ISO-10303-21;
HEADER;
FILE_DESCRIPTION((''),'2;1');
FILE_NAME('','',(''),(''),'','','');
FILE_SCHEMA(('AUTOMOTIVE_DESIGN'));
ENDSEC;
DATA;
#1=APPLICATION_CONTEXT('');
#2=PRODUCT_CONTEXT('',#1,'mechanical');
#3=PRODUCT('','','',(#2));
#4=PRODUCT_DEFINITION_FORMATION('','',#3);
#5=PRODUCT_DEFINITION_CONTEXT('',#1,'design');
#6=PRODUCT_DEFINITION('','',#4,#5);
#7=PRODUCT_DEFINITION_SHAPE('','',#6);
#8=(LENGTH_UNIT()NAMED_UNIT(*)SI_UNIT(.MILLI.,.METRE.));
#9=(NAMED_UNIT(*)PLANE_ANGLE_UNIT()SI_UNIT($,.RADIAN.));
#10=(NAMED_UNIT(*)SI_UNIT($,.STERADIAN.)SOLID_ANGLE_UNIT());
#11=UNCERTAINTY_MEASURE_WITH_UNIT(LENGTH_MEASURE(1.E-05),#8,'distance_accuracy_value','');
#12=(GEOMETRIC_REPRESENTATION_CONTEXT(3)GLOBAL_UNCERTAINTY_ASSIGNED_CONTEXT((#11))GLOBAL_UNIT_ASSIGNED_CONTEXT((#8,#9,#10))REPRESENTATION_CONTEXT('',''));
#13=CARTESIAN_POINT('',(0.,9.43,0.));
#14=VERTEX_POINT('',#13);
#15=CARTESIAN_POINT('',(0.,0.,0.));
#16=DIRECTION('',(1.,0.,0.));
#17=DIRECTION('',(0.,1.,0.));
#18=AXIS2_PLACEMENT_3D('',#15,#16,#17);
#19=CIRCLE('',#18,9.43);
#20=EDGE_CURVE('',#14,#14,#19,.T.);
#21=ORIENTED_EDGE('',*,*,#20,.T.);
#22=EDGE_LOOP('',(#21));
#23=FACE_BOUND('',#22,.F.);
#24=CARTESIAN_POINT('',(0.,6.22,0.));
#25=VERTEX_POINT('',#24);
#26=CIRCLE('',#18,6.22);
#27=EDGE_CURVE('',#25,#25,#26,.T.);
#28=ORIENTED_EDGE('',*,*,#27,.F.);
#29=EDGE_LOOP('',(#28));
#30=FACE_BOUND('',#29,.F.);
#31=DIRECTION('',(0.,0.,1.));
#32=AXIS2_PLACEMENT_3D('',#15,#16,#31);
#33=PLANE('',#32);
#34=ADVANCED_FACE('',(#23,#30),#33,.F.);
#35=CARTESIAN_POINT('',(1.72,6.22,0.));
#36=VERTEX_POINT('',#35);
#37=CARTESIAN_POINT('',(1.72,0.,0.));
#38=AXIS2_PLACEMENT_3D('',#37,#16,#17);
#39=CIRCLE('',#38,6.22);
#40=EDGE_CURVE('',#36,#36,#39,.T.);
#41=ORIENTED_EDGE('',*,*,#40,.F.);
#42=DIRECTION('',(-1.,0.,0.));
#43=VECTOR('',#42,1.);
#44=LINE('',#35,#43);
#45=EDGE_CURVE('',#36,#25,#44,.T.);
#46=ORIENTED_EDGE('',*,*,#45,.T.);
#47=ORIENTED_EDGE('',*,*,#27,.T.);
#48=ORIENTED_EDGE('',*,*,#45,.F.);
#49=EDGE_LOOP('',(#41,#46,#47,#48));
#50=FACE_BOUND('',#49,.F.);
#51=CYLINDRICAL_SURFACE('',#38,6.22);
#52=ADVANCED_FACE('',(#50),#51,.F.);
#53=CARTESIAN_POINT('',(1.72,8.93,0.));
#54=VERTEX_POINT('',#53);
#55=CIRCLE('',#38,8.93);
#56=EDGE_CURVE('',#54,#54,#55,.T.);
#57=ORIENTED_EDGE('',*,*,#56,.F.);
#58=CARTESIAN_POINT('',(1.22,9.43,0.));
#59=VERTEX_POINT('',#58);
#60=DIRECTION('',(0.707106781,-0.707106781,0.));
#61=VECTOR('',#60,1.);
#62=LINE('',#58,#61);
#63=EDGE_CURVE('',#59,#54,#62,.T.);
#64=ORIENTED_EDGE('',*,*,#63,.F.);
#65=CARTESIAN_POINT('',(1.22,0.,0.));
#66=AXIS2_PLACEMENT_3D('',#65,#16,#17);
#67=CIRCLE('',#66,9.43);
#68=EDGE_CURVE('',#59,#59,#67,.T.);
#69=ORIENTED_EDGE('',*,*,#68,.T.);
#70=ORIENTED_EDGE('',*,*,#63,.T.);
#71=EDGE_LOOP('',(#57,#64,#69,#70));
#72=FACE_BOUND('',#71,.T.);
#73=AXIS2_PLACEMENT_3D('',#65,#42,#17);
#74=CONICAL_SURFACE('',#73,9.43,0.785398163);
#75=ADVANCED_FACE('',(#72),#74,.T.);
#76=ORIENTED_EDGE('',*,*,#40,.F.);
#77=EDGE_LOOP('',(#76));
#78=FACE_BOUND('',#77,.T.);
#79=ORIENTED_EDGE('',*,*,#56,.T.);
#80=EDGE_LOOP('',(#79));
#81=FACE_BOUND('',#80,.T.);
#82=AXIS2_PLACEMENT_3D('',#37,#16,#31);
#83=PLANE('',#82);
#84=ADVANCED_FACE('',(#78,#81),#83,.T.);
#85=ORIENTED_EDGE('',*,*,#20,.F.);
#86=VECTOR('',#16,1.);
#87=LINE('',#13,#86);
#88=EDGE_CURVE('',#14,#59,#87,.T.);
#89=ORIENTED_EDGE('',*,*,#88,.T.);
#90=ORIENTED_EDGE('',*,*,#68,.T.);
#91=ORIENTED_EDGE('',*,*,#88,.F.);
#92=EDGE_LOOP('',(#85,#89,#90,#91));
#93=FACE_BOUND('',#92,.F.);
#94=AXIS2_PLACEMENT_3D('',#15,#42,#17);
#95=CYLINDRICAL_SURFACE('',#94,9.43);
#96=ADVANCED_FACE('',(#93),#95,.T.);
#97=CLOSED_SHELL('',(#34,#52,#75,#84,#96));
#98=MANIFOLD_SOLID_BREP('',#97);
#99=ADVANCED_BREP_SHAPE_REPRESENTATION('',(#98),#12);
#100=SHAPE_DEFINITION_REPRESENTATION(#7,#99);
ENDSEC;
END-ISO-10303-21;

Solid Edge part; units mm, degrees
sketch "Sketch1" plane through (0, 0, 0) normal (1, 0, 0) x (0, 1, 0)
  circle A0 centre (0, 0) radius 9.43
  dimension "D1" = 18.86
extrude "Protrusion1" add sketch "Sketch1" along normal blind 1.72
sketch "Sketch2" plane through (1.72, 0, 0) normal (1, 0, 0) x (0, 1, 0)
  circle A0 centre (0, 0) radius 6.22
  dimension "D1" = 12.44
extrude "Cutout1" cut sketch "Sketch2" against normal through all
chamfer "Chamfer_1" distance 0.5 angle 45 1 edges at (1.72, -9.43, 0)
